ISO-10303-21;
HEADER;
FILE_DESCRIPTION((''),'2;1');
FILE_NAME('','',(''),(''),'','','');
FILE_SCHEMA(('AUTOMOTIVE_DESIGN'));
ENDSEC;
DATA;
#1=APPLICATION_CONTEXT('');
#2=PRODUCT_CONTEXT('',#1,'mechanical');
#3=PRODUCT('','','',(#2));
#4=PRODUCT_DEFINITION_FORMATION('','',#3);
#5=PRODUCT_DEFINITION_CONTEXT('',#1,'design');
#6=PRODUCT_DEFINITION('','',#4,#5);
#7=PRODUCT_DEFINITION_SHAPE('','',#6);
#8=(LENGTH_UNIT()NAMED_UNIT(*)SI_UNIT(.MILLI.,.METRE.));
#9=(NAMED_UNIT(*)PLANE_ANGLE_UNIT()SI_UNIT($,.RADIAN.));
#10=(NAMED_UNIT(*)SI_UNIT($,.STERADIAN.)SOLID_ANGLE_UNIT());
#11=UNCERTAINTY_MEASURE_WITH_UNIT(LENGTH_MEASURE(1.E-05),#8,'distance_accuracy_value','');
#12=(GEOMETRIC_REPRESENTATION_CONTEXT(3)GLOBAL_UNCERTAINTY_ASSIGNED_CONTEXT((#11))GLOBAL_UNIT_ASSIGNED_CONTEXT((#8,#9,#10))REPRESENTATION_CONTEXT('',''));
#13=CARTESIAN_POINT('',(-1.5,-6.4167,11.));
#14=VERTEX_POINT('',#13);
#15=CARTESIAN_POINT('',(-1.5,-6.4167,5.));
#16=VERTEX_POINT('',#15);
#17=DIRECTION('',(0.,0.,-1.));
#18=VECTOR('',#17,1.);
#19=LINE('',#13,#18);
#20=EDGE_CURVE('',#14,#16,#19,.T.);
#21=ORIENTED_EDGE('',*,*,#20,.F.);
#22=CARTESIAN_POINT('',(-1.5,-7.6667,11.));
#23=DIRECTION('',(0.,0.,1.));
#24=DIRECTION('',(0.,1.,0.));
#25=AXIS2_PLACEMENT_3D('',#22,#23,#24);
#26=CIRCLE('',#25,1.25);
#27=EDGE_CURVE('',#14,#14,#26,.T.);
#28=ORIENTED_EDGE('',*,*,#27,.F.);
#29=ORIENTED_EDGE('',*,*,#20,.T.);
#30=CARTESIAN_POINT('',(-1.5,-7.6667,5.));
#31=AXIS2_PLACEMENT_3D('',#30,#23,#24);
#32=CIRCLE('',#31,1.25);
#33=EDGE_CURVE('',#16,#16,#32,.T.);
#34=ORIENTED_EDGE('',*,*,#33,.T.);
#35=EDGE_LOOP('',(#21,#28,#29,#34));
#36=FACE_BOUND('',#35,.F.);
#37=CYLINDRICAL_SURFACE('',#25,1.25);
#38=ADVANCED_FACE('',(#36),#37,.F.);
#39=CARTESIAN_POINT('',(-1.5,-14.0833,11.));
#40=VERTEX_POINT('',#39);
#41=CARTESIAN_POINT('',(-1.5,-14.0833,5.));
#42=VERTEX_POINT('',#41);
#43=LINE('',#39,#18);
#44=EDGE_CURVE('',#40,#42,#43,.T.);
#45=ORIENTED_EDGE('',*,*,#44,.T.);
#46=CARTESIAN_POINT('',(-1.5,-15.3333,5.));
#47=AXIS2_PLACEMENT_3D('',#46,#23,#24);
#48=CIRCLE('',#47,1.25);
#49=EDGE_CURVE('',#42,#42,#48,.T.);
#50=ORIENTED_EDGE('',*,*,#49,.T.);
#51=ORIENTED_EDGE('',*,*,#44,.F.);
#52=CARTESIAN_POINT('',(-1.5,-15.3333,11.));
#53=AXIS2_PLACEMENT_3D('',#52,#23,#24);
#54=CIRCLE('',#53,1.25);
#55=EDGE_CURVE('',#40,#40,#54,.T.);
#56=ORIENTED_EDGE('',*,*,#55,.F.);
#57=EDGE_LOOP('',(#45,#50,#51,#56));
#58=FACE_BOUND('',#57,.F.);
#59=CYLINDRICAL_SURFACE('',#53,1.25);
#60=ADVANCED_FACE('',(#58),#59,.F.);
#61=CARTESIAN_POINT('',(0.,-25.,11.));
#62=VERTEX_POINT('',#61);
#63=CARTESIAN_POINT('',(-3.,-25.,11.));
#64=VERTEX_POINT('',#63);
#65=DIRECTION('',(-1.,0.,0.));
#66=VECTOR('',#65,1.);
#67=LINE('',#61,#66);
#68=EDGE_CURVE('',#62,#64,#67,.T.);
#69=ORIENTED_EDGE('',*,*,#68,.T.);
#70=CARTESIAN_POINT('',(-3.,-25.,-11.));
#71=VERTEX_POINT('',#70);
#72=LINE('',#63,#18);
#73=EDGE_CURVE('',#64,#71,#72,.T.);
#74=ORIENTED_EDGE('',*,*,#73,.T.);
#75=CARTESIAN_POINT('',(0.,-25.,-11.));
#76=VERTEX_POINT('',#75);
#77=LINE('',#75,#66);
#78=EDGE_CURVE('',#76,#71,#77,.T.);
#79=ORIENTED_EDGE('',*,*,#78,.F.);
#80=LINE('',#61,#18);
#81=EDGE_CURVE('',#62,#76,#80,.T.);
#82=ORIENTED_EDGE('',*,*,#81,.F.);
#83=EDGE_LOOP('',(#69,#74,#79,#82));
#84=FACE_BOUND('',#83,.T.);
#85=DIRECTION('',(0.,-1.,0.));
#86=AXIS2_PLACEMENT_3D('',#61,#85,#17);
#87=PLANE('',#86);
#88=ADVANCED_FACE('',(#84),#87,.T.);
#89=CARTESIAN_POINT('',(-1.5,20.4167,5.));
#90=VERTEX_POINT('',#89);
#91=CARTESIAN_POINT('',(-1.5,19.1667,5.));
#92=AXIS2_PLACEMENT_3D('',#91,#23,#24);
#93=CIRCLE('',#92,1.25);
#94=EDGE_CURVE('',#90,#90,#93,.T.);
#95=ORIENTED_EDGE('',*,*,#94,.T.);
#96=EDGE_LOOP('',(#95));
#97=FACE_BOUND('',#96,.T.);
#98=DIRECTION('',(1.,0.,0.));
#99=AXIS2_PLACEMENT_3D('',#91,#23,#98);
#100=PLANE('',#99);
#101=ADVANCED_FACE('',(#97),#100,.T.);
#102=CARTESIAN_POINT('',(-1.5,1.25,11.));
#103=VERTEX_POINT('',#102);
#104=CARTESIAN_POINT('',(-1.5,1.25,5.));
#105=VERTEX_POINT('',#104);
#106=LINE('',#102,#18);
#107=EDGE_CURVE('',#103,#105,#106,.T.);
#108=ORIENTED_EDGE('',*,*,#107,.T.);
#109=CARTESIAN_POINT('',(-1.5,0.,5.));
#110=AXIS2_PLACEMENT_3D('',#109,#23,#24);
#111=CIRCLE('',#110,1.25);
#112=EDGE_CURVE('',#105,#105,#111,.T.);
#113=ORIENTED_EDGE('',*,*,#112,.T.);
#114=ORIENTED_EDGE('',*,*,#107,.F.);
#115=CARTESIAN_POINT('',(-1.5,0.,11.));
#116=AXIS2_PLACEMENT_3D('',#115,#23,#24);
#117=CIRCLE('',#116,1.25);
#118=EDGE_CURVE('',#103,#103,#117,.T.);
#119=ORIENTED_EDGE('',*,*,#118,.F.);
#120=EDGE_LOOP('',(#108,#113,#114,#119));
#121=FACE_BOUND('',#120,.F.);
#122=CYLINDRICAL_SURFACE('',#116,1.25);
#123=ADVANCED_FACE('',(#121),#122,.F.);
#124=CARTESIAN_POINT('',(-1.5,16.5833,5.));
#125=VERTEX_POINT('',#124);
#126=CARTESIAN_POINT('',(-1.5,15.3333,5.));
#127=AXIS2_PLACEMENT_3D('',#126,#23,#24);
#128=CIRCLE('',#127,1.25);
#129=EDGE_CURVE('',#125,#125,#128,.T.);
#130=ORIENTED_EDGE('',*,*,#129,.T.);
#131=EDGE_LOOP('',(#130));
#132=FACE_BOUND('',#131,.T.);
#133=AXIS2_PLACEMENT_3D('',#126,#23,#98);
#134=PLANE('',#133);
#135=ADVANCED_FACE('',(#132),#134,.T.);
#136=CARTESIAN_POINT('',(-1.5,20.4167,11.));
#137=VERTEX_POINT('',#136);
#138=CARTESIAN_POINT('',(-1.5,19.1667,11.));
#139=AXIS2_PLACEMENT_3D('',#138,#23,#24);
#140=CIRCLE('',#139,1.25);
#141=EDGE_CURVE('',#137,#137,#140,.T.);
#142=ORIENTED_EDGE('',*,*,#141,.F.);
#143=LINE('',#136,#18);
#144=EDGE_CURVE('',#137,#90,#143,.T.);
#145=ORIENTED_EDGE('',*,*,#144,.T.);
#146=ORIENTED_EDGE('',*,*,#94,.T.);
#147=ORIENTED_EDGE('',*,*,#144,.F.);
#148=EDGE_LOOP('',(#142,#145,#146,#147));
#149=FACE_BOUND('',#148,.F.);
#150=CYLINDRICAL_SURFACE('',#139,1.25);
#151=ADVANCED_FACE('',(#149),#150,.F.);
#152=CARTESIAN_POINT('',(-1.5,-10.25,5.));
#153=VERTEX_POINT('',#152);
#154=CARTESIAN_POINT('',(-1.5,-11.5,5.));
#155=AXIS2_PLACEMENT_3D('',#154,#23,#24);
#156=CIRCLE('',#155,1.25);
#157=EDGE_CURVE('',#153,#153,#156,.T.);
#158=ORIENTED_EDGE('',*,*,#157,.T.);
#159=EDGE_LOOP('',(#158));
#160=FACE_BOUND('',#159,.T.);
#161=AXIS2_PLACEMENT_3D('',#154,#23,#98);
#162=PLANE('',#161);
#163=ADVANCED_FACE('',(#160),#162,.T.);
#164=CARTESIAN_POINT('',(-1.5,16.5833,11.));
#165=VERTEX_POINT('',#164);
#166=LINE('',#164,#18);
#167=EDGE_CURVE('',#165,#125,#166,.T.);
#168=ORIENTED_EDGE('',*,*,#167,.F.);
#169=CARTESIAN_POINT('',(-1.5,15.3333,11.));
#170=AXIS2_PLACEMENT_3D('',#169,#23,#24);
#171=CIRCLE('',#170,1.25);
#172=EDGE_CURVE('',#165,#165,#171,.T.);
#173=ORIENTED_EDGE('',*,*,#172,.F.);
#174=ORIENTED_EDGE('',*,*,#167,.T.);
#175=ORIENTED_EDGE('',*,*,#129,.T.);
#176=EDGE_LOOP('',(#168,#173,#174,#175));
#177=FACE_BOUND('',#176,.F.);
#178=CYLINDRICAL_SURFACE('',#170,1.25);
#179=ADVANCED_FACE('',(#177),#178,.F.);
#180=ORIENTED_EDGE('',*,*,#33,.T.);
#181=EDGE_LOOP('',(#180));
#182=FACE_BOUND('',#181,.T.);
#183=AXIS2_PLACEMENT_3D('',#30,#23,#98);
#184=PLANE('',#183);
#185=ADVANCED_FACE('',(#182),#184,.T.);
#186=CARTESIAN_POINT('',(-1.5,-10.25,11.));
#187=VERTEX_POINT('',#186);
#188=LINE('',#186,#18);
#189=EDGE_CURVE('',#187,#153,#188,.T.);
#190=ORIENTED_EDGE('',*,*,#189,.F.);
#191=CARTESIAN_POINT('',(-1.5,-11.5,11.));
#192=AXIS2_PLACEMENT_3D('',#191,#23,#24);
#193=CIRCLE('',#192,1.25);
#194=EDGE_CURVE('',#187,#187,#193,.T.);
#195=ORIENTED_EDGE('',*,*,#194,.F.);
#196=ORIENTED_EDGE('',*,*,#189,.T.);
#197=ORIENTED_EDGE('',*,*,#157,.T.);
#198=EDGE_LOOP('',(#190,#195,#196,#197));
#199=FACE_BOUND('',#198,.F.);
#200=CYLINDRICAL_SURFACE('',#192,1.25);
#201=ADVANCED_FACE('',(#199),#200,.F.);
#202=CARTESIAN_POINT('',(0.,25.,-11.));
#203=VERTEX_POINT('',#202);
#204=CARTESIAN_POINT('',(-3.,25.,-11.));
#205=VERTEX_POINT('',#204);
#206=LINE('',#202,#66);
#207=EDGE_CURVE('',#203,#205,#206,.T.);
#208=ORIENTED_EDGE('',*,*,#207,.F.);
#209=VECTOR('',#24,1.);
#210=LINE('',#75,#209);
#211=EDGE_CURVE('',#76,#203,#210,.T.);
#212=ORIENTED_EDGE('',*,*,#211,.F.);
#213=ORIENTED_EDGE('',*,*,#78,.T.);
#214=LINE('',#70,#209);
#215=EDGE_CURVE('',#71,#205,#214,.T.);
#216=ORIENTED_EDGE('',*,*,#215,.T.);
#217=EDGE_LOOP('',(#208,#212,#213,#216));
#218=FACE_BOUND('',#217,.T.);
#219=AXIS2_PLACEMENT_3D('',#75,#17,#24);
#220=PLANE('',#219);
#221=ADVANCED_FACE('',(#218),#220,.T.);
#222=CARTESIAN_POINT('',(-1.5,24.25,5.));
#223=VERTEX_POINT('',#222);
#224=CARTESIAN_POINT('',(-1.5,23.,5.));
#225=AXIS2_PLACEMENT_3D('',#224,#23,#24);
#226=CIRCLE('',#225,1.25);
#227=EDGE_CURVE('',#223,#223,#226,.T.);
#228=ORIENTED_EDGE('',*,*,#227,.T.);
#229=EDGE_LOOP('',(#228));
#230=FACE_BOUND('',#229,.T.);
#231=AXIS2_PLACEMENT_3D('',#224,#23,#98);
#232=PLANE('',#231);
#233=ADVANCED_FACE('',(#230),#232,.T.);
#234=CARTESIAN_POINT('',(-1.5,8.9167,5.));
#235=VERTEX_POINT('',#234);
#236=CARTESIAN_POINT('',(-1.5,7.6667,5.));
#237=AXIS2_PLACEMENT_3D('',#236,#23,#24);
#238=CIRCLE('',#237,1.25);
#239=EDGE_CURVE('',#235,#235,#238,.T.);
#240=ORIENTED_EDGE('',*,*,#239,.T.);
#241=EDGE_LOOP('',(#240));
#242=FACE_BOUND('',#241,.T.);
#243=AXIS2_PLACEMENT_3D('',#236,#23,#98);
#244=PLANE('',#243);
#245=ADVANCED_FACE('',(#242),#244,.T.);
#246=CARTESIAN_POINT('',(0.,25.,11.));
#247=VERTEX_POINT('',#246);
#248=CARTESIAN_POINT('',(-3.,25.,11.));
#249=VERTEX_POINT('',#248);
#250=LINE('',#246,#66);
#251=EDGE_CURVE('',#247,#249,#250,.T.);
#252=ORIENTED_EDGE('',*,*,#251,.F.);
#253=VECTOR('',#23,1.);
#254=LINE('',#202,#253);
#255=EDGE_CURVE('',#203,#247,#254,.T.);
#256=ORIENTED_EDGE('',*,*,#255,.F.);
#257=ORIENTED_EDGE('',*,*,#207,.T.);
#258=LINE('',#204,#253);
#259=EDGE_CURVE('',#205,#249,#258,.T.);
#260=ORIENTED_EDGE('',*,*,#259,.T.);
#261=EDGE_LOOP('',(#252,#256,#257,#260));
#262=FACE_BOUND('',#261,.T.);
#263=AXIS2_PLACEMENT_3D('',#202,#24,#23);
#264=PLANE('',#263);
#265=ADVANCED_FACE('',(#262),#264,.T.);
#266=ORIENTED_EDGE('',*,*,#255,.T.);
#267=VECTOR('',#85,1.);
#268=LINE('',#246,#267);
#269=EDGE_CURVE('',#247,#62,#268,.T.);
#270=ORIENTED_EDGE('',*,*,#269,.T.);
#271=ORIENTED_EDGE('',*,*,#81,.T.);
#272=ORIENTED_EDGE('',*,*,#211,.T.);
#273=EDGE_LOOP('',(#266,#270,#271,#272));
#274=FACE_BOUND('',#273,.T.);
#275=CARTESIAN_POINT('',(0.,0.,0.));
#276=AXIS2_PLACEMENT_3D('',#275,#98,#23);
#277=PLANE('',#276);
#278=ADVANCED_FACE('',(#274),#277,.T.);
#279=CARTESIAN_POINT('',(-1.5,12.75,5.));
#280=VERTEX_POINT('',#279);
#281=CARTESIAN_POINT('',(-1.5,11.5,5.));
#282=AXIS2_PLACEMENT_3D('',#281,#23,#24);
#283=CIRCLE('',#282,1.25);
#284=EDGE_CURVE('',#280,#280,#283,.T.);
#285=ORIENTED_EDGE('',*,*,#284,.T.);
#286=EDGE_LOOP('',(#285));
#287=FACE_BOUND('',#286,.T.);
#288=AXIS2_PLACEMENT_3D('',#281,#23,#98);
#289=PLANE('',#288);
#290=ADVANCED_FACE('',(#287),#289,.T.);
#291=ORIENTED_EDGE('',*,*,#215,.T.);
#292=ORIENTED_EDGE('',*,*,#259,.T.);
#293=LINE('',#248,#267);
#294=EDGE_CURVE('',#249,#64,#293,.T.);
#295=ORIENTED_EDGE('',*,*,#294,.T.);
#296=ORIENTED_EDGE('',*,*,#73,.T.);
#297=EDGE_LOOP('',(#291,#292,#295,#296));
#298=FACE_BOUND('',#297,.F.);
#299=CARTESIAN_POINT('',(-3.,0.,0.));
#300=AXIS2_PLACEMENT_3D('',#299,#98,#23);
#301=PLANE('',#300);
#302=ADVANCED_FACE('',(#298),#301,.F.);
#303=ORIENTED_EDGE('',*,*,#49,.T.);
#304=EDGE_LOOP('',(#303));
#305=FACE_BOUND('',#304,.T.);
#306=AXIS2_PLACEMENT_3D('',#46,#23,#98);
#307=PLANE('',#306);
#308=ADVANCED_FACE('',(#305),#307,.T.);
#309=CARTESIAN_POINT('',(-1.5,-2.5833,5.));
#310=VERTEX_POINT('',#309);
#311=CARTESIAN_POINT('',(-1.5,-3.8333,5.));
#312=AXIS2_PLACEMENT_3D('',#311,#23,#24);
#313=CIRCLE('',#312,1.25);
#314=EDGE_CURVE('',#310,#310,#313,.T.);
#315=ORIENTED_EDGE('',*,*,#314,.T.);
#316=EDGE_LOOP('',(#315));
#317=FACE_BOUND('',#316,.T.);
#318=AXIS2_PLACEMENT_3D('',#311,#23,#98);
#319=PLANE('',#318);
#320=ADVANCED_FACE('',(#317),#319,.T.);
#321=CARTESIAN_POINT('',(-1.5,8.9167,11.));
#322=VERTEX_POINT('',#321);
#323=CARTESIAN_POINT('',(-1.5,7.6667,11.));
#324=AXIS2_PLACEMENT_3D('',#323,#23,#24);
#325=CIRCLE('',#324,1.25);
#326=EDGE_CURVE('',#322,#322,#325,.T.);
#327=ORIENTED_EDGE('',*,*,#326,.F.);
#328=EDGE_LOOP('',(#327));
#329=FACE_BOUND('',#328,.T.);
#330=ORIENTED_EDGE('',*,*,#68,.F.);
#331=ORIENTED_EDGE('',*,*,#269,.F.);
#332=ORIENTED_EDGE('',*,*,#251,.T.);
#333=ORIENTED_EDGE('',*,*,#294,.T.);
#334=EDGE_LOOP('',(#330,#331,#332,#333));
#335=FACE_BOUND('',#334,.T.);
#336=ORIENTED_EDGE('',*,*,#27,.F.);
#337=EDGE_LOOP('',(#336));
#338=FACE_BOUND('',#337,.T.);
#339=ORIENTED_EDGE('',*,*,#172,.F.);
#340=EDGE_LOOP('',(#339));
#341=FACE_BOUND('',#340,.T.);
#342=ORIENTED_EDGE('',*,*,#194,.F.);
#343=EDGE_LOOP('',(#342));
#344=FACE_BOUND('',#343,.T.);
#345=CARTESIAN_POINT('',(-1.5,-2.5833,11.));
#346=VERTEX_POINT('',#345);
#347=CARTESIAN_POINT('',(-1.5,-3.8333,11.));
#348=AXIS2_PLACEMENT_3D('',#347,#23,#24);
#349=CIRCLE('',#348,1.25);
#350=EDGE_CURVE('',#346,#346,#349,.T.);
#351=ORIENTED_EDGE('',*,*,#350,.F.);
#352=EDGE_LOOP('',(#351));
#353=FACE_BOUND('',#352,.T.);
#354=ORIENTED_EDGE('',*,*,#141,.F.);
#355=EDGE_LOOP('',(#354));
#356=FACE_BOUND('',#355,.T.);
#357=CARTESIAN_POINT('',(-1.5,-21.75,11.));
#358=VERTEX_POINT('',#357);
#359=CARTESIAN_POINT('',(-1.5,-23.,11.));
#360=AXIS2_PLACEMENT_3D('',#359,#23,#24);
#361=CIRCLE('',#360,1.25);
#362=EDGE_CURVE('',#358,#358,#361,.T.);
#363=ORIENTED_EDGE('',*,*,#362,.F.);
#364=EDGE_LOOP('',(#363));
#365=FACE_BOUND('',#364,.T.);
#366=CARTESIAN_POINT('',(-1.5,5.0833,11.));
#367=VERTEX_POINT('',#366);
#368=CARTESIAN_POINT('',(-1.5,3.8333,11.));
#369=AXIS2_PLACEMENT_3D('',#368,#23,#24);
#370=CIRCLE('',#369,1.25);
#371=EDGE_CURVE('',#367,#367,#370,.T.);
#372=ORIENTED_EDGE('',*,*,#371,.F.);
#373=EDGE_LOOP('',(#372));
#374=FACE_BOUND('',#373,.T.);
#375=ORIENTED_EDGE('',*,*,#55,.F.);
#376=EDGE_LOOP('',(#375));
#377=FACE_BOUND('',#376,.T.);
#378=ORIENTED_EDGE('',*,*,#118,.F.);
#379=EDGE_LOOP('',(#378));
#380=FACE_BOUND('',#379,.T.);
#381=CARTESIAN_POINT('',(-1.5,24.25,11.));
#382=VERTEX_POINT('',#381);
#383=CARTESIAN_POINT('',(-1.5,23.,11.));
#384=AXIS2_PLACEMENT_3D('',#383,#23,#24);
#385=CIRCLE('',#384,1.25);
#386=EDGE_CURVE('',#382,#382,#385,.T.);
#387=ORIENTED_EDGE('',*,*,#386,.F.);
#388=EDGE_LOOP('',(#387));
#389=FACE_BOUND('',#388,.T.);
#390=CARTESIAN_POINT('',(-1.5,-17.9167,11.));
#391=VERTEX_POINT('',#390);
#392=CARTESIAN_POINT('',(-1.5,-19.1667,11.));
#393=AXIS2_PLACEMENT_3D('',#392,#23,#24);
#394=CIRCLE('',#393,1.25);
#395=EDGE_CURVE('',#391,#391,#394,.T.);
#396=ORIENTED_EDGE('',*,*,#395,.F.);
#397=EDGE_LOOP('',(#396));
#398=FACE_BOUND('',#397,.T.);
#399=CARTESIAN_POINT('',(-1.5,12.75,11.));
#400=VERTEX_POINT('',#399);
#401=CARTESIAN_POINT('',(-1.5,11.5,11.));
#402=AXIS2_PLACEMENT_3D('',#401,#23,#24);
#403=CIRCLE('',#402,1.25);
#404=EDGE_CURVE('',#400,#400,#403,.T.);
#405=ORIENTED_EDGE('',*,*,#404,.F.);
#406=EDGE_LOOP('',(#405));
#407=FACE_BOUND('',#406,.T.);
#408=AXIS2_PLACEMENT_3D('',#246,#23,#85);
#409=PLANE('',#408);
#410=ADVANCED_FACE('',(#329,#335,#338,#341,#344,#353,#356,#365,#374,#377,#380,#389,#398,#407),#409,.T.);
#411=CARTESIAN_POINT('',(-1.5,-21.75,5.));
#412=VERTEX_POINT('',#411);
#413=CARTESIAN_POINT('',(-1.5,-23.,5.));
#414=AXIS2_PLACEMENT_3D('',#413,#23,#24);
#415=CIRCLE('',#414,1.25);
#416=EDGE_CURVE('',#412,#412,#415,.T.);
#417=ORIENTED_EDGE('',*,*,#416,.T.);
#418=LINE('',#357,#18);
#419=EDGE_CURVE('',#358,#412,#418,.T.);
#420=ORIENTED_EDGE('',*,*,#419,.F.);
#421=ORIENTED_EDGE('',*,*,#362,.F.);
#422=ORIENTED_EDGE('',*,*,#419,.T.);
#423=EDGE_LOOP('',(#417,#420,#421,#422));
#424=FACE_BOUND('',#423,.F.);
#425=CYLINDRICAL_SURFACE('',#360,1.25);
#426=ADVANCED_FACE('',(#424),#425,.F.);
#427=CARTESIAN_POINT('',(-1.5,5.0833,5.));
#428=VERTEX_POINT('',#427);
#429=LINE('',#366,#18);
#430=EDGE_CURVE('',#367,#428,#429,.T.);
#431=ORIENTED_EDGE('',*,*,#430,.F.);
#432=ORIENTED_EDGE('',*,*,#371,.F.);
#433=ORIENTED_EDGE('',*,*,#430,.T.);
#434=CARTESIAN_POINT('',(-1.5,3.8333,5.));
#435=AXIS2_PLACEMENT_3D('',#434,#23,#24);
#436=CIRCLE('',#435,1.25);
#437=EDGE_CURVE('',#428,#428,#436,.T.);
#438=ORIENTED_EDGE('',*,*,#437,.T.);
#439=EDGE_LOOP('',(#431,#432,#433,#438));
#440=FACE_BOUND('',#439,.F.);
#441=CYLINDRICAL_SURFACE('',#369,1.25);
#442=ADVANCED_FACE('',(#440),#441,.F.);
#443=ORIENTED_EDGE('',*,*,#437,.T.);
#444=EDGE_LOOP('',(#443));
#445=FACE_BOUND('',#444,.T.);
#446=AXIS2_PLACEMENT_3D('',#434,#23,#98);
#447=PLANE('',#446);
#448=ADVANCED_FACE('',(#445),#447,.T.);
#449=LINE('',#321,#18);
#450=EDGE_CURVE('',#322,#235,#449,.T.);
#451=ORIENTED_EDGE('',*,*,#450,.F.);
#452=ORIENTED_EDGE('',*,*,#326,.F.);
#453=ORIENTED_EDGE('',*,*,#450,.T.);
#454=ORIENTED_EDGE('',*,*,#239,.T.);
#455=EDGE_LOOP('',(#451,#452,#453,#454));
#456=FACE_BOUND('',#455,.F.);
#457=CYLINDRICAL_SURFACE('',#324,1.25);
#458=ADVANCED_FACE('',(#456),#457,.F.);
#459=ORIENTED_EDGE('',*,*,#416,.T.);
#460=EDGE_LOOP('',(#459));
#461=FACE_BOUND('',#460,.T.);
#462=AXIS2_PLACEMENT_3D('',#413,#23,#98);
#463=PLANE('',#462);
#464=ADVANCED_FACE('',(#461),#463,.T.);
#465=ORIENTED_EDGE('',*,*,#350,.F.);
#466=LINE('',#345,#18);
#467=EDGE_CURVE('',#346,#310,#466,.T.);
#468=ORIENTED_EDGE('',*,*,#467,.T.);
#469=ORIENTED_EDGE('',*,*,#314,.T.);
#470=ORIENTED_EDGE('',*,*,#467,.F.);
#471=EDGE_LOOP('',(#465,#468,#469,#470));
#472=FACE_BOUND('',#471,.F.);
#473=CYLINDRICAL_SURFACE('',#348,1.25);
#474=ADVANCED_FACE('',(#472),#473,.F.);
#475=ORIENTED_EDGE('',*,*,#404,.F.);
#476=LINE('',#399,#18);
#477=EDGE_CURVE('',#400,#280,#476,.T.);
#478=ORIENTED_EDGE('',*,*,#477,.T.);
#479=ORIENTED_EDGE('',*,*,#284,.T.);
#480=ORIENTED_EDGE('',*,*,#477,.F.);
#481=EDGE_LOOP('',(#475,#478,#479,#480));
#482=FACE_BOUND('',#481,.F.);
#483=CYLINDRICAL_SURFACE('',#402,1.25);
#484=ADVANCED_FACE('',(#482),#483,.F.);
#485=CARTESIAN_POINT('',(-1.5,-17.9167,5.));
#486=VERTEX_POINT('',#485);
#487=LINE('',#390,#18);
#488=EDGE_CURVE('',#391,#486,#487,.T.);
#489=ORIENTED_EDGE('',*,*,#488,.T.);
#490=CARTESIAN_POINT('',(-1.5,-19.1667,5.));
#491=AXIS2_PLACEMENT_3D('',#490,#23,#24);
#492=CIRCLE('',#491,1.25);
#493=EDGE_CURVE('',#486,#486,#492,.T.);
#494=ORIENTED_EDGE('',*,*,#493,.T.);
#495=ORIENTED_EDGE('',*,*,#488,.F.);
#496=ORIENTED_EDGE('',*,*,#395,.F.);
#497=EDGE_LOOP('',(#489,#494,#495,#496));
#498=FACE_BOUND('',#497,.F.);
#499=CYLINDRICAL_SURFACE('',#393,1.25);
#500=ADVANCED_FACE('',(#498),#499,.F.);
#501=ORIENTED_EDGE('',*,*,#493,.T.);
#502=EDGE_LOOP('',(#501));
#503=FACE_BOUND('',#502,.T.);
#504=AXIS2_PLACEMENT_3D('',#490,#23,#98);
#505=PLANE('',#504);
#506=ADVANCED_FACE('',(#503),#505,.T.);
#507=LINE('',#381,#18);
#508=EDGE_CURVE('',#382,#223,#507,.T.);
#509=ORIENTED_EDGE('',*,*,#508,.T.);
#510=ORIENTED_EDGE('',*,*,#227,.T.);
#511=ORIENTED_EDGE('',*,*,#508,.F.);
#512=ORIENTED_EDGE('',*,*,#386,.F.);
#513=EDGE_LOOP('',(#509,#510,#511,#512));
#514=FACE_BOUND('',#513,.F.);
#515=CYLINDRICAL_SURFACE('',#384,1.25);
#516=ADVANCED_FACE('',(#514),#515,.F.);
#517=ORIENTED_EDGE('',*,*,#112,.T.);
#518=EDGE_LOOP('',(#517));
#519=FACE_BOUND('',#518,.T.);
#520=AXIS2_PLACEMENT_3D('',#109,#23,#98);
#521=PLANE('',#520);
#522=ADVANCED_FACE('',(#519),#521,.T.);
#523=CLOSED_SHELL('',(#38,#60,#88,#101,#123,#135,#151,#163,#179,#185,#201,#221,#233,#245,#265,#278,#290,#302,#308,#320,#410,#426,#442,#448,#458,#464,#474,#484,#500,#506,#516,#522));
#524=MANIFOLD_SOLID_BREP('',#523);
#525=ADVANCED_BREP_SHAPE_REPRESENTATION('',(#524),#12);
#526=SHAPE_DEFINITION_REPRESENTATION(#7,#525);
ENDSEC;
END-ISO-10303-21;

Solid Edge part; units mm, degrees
sketch "Sketch1" plane through (0, 0, 0) normal (1, 0, 0) x (0, 1, 0)
  line L0 (-25, -11) -> (25, -11)
  line L1 (25, -11) -> (25, 11)
  line L2 (25, 11) -> (-25, 11)
  line L3 (-25, 11) -> (-25, -11)
  dimension "D1" = 50
  dimension "D2" = 22
extrude "Protrusion1" add sketch "Sketch1" against normal blind 3
sketch "Sketch2" plane through (-1.5, 0, 11) normal (0, 0, 1) x (0, 1, 0)
  circle A0 centre (-23, 0) radius 1.25
  circle A1 centre (-19.1667, 0) radius 1.25
  circle A2 centre (-15.3333, 0) radius 1.25
  circle A3 centre (-11.5, 0) radius 1.25
  circle A4 centre (-7.6667, 0) radius 1.25
  circle A5 centre (-3.8333, 0) radius 1.25
  circle A6 centre (0, 0) radius 1.25
  circle A7 centre (3.8333, 0) radius 1.25
  circle A8 centre (7.6667, 0) radius 1.25
  circle A9 centre (11.5, 0) radius 1.25
  circle A10 centre (15.3333, 0) radius 1.25
  circle A11 centre (19.1667, 0) radius 1.25
  circle A12 centre (23, 0) radius 1.25
  dimension "D1" = 2.5
  dimension "D2" = 2.5
  dimension "D3" = 2.5
  dimension "D4" = 2.5
  dimension "D5" = 2.5
  dimension "D6" = 2.5
  dimension "D7" = 2.5
  dimension "D8" = 2.5
  dimension "D9" = 2.5
  dimension "D10" = 2.5
  dimension "D11" = 2.5
  dimension "D12" = 2.5
  dimension "D13" = 2.5
  dimension "D14" = 2
  dimension "D15" = 2
  dimension "D16" = 46
  dimension "D17" = 23
  dimension "D18" = 11.5
  dimension "D19" = 11.5
  dimension "D20" = 3.8333
  dimension "D21" = 3.8333
  dimension "D22" = 3.8333
  dimension "D23" = 3.8333
  dimension "D24" = 3.8333
  dimension "D25" = 3.8333
  dimension "D26" = 3.8333
  dimension "D27" = 3.8333
extrude "ExtrudedCutout_49" cut sketch "Sketch2" against normal blind 6
